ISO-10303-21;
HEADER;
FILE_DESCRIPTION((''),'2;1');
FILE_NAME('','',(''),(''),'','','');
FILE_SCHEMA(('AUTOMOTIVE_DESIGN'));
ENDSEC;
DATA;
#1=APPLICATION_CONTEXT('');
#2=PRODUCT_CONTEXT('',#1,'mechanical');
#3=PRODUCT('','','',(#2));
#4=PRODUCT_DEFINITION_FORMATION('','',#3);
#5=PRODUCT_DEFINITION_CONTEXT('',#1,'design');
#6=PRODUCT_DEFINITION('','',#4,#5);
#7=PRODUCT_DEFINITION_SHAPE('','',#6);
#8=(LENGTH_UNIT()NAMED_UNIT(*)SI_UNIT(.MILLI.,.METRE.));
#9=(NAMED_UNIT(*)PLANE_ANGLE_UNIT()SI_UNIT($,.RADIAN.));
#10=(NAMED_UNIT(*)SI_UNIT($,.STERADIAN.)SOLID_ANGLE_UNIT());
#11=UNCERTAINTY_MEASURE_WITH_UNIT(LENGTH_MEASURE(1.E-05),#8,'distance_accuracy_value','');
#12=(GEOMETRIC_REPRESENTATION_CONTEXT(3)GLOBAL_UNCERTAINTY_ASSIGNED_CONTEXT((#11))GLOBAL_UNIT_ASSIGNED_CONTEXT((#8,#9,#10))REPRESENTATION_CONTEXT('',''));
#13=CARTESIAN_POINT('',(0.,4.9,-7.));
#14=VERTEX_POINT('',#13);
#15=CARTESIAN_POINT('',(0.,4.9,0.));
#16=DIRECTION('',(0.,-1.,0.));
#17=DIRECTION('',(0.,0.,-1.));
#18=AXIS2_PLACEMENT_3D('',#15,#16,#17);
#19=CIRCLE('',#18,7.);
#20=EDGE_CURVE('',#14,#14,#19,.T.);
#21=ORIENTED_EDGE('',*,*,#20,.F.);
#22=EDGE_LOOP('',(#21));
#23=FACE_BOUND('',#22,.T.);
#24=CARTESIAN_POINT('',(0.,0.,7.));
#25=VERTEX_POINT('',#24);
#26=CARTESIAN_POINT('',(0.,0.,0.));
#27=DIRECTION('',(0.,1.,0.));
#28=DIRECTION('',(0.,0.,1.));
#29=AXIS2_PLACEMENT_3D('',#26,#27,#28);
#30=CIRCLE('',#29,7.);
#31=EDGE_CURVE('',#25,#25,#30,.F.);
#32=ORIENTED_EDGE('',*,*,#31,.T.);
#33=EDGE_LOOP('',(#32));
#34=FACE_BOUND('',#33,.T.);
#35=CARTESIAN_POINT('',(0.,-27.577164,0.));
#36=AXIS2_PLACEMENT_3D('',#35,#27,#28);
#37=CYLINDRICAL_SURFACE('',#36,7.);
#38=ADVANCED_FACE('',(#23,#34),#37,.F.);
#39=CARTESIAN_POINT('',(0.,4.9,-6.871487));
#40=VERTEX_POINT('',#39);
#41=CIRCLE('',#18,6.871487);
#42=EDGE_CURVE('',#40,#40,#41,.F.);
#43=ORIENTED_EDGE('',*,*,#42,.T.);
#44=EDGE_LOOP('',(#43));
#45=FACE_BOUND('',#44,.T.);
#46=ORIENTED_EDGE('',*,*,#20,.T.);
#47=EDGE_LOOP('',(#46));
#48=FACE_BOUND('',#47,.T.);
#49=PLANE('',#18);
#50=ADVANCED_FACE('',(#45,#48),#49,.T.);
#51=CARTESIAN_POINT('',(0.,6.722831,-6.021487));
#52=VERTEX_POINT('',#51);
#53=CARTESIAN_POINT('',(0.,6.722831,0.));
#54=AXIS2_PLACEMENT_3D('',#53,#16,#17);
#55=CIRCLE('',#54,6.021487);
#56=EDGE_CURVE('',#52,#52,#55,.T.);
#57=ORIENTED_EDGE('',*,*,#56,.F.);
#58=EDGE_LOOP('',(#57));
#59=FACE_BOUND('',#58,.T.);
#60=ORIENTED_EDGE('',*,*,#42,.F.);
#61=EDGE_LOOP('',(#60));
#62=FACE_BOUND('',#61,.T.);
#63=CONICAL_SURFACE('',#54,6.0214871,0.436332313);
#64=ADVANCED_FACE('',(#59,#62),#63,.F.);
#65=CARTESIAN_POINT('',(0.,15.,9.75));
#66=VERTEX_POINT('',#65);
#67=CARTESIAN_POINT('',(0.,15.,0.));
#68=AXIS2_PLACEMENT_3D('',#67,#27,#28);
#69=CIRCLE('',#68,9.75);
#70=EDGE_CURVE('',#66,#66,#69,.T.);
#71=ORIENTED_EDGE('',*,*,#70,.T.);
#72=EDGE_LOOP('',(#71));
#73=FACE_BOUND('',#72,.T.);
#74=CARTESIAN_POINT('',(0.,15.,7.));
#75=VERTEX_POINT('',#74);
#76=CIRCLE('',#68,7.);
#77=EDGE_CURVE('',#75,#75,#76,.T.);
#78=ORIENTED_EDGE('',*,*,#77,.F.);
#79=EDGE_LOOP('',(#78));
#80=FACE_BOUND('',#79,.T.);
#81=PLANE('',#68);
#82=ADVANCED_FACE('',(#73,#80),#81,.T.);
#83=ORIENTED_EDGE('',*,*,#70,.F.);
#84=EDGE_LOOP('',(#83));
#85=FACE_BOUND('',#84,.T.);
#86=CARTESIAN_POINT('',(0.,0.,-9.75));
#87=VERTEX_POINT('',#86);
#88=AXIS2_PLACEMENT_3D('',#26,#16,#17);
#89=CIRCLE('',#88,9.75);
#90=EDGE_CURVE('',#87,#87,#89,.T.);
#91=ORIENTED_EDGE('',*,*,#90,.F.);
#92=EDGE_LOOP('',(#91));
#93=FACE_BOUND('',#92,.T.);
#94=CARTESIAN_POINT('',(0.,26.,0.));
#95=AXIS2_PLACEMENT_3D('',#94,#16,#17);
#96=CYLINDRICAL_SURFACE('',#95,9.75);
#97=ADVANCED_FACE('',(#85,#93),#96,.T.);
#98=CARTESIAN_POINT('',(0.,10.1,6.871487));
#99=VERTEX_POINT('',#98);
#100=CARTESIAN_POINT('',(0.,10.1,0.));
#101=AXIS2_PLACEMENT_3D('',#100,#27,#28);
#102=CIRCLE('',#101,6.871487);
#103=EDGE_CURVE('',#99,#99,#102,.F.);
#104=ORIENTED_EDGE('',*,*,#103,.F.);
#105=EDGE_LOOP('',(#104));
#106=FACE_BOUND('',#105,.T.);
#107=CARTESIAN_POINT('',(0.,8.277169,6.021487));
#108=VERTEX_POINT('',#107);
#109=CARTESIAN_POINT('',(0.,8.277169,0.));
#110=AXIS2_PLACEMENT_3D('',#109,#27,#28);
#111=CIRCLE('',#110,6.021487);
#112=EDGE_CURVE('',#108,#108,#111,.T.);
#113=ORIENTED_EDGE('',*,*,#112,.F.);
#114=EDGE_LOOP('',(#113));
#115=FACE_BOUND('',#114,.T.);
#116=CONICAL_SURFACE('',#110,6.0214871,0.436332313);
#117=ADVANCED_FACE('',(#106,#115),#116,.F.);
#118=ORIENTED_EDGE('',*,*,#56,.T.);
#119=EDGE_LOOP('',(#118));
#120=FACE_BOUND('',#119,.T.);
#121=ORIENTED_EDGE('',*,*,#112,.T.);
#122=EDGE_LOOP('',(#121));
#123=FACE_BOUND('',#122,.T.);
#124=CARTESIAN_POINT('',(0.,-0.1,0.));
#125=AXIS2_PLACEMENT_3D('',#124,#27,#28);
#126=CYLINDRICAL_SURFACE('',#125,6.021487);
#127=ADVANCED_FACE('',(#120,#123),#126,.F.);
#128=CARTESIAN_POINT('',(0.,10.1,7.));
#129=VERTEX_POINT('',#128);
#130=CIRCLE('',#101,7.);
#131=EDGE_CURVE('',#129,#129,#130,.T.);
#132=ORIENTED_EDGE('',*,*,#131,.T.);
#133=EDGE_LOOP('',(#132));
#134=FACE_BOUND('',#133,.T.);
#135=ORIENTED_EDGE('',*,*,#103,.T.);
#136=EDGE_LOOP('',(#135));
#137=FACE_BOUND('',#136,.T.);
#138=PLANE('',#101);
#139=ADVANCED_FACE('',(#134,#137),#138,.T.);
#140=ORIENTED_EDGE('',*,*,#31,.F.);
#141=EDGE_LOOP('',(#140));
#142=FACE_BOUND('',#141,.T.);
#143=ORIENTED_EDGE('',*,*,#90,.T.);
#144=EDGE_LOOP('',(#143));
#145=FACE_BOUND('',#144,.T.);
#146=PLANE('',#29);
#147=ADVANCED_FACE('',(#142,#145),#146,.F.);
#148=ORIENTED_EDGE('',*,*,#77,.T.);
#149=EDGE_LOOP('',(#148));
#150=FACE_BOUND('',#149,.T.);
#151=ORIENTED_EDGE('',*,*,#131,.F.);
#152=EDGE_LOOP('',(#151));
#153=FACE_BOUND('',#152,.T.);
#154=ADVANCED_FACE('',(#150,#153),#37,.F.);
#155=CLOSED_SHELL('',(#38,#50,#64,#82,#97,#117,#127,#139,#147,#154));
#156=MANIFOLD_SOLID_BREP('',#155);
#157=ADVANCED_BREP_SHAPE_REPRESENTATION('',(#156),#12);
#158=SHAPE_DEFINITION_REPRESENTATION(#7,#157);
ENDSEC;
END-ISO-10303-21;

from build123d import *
from OCP.BRepFilletAPI import BRepFilletAPI_MakeChamfer

# Parameters (mm, degrees)
SKETCH1_R           = 12
SKETCH1_R_2         = 5
BOSS_EXTRUDE1_DEPTH = 15
SKETCH2_R           = 7
CUT_EXTRUDE1_DEPTH  = 5.1
CUT_EXTRUDE2_START  = -5.1
SKETCH3_R           = 7
CUT_EXTRUDE2_DEPTH  = 5.1
BOSS_EXTRUDE2_START = -4.8
SKETCH4_R           = 5
SKETCH4_R_2         = 3
BOSS_EXTRUDE2_DEPTH = 4.8
SKETCH5_R           = 17.644165846
SKETCH5_R_2         = 10
CUT_EXTRUDE3_DEPTH  = 17.1
SKETCH6_R           = 7.1
CUT_EXTRUDE4_DEPTH  = 5.1
CUT_EXTRUDE5_START  = -5.1
SKETCH7_R           = 7.1
CUT_EXTRUDE5_DEPTH  = 5.1
SKETCH8_R           = 14.835126002
SKETCH8_R_2         = 9.75
CUT_EXTRUDE7_DEPTH  = 26
SKETCH9_R           = 6.0214871
CUT_EXTRUDE8_DEPTH  = 10
BOSS_EXTRUDE3_START = 0.2
SKETCH10_R          = 7.1
SKETCH10_R_2        = 6.0214871
BOSS_EXTRUDE3_DEPTH = 0.2
SKETCH11_R          = 7.1
SKETCH11_R_2        = 6.0214871
BOSS_EXTRUDE4_DEPTH = 0.2
CHAMFER2_SIZE       = 0.85
CHAMFER2_SIZE2      = 1.822830882
BOSS_EXTRUDE5_REACH = 22.375
SKETCH12_R          = 9.75
SKETCH12_R_2        = 7


with BuildPart() as part:
    # Sketch1 → Boss-Extrude1 (new body)
    with BuildSketch(Plane(origin=(0, 0, 0), x_dir=(1, 0, 0), z_dir=(0, 1, 0))):
        with Locations(Location((0, 0, 0), (0, 0, 270))):
            Circle(SKETCH1_R)
        with Locations(Location((0, 0, 0), (0, 0, 270))):
            Circle(SKETCH1_R_2, mode=Mode.SUBTRACT)
    extrude(amount=BOSS_EXTRUDE1_DEPTH)

    # Sketch2 → Cut-Extrude1 (cut)
    with BuildSketch(Plane.XZ):
        with Locations(Location((0, 0, 0), (0, 0, 270))):
            Circle(SKETCH2_R)
    extrude(amount=-CUT_EXTRUDE1_DEPTH, mode=Mode.SUBTRACT)

    # Sketch3 → Cut-Extrude2 (cut)
    with BuildSketch(Plane(origin=(0, 15, 0), x_dir=(1, 0, 0), z_dir=(0, 1, 0)).offset(CUT_EXTRUDE2_START)):
        with Locations(Location((0, 0, 0), (0, 0, 90))):
            Circle(SKETCH3_R)
    extrude(amount=CUT_EXTRUDE2_DEPTH, mode=Mode.SUBTRACT)

    # Sketch4 → Boss-Extrude2 (add)
    with BuildSketch(Plane(origin=(0, 9.9, 0), x_dir=(1, 0, 0), z_dir=(0, 1, 0)).offset(BOSS_EXTRUDE2_START)):
        Circle(SKETCH4_R)
        with Locations(Location((0, 0, 0), (0, 0, 270))):
            Circle(SKETCH4_R_2, mode=Mode.SUBTRACT)
    extrude(amount=BOSS_EXTRUDE2_DEPTH)

    # Sketch5 → Cut-Extrude3 (cut)
    with BuildSketch(Plane.XZ):
        Circle(SKETCH5_R)
        with Locations(Location((0, 0, 0), (0, 0, 270))):
            Circle(SKETCH5_R_2, mode=Mode.SUBTRACT)
    extrude(amount=-CUT_EXTRUDE3_DEPTH, mode=Mode.SUBTRACT)

    # Sketch6 → Cut-Extrude4 (cut)
    with BuildSketch(Plane.XZ):
        with Locations(Location((0, 0, 0), (0, 0, 270))):
            Circle(SKETCH6_R)
    extrude(amount=-CUT_EXTRUDE4_DEPTH, mode=Mode.SUBTRACT)

    # Sketch7 → Cut-Extrude5 (cut)
    with BuildSketch(Plane(origin=(0, 15, 0), x_dir=(1, 0, 0), z_dir=(0, 1, 0)).offset(CUT_EXTRUDE5_START)):
        with Locations(Location((0, 0, 0), (0, 0, 90))):
            Circle(SKETCH7_R)
    extrude(amount=CUT_EXTRUDE5_DEPTH, mode=Mode.SUBTRACT)

    # Sketch8 → Cut-Extrude7 (cut)
    with BuildSketch(Plane.XZ):
        Circle(SKETCH8_R)
        with Locations(Location((0, 0, 0), (0, 0, 270))):
            Circle(SKETCH8_R_2, mode=Mode.SUBTRACT)
    extrude(amount=-CUT_EXTRUDE7_DEPTH, mode=Mode.SUBTRACT)

    # Sketch9 → Cut-Extrude8 (cut)
    with BuildSketch(Plane(origin=(0, 9.9, 0), x_dir=(1, 0, 0), z_dir=(0, 1, 0))):
        with Locations(Location((0, 0, 0), (0, 0, 270))):
            Circle(SKETCH9_R)
    extrude(amount=-CUT_EXTRUDE8_DEPTH, mode=Mode.SUBTRACT)

    # Sketch10 → Boss-Extrude3 (add)
    with BuildSketch(Plane.XZ.offset(-5.1).offset(BOSS_EXTRUDE3_START)):
        with Locations(Location((0, 0, 0), (0, 0, 270))):
            Circle(SKETCH10_R)
        with Locations(Location((0, 0, 0), (0, 0, 90))):
            Circle(SKETCH10_R_2, mode=Mode.SUBTRACT)
    extrude(amount=-BOSS_EXTRUDE3_DEPTH)

    # Sketch11 → Boss-Extrude4 (add)
    with BuildSketch(Plane(origin=(0, 9.9, 0), x_dir=(1, 0, 0), z_dir=(0, 1, 0))):
        with Locations(Location((0, 0, 0), (0, 0, 90))):
            Circle(SKETCH11_R)
        with Locations(Location((0, 0, 0), (0, 0, 270))):
            Circle(SKETCH11_R_2, mode=Mode.SUBTRACT)
    extrude(amount=BOSS_EXTRUDE4_DEPTH)

    # Chamfer2: one chamfer whose edges measure the first distance from different faces: ONE call of the kernel's chamfer builder (chamfer() names one face for all edges)
    chamfer2_edges_1 = [part.edges().sort_by_distance(p)[0] for p in [
        (0, 4.9, -6.0214871),
    ]]
    chamfer2_side_1 = [part.faces().sort_by_distance(p)[0] for p in [
        (0, 4.9, 6.899181674),
    ]]
    chamfer2_edges_2 = [part.edges().sort_by_distance(p)[0] for p in [
        (0, 10.1, -6.0214871),
    ]]
    chamfer2_side_2 = [part.faces().sort_by_distance(p)[0] for p in [
        (0, 10.1, 6.899181674),
    ]]
    chamfer2 = BRepFilletAPI_MakeChamfer(part.part.solid().wrapped)
    for e in chamfer2_edges_1:
        chamfer2.Add(CHAMFER2_SIZE, CHAMFER2_SIZE2, e.wrapped, chamfer2_side_1[0].wrapped)  # the first distance lies on this face
    for e in chamfer2_edges_2:
        chamfer2.Add(CHAMFER2_SIZE, CHAMFER2_SIZE2, e.wrapped, chamfer2_side_2[0].wrapped)  # the first distance lies on this face
    add(Compound.cast(chamfer2.Shape()), mode=Mode.REPLACE)

    # Boss-Extrude5: up to this face of the body (flat: up to its plane)
    boss_extrude5_end = Plane(part.part.faces().sort_by_distance((0, 0, 9.474228355))[0])
    # Sketch12 → Boss-Extrude5 (add, up to the picked face)
    with BuildSketch(Plane(origin=(0, 15, 0), x_dir=(1, 0, 0), z_dir=(0, 1, 0)), mode=Mode.PRIVATE) as boss_extrude5_sk1:
        with Locations(Location((0, 0, 0), (0, 0, 90))):
            Circle(SKETCH12_R)
        with Locations(Location((0, 0, 0), (0, 0, 270))):
            Circle(SKETCH12_R_2, mode=Mode.SUBTRACT)
    boss_extrude5_tool1 = split(extrude(boss_extrude5_sk1.sketch, amount=-BOSS_EXTRUDE5_REACH, mode=Mode.PRIVATE), bisect_by=boss_extrude5_end, keep=Keep.BOTH, mode=Mode.PRIVATE)
    add(boss_extrude5_tool1.solids().sort_by(Axis((0, 15, 9.474228), (0, -1, 0)))[0])


solid = part.part
